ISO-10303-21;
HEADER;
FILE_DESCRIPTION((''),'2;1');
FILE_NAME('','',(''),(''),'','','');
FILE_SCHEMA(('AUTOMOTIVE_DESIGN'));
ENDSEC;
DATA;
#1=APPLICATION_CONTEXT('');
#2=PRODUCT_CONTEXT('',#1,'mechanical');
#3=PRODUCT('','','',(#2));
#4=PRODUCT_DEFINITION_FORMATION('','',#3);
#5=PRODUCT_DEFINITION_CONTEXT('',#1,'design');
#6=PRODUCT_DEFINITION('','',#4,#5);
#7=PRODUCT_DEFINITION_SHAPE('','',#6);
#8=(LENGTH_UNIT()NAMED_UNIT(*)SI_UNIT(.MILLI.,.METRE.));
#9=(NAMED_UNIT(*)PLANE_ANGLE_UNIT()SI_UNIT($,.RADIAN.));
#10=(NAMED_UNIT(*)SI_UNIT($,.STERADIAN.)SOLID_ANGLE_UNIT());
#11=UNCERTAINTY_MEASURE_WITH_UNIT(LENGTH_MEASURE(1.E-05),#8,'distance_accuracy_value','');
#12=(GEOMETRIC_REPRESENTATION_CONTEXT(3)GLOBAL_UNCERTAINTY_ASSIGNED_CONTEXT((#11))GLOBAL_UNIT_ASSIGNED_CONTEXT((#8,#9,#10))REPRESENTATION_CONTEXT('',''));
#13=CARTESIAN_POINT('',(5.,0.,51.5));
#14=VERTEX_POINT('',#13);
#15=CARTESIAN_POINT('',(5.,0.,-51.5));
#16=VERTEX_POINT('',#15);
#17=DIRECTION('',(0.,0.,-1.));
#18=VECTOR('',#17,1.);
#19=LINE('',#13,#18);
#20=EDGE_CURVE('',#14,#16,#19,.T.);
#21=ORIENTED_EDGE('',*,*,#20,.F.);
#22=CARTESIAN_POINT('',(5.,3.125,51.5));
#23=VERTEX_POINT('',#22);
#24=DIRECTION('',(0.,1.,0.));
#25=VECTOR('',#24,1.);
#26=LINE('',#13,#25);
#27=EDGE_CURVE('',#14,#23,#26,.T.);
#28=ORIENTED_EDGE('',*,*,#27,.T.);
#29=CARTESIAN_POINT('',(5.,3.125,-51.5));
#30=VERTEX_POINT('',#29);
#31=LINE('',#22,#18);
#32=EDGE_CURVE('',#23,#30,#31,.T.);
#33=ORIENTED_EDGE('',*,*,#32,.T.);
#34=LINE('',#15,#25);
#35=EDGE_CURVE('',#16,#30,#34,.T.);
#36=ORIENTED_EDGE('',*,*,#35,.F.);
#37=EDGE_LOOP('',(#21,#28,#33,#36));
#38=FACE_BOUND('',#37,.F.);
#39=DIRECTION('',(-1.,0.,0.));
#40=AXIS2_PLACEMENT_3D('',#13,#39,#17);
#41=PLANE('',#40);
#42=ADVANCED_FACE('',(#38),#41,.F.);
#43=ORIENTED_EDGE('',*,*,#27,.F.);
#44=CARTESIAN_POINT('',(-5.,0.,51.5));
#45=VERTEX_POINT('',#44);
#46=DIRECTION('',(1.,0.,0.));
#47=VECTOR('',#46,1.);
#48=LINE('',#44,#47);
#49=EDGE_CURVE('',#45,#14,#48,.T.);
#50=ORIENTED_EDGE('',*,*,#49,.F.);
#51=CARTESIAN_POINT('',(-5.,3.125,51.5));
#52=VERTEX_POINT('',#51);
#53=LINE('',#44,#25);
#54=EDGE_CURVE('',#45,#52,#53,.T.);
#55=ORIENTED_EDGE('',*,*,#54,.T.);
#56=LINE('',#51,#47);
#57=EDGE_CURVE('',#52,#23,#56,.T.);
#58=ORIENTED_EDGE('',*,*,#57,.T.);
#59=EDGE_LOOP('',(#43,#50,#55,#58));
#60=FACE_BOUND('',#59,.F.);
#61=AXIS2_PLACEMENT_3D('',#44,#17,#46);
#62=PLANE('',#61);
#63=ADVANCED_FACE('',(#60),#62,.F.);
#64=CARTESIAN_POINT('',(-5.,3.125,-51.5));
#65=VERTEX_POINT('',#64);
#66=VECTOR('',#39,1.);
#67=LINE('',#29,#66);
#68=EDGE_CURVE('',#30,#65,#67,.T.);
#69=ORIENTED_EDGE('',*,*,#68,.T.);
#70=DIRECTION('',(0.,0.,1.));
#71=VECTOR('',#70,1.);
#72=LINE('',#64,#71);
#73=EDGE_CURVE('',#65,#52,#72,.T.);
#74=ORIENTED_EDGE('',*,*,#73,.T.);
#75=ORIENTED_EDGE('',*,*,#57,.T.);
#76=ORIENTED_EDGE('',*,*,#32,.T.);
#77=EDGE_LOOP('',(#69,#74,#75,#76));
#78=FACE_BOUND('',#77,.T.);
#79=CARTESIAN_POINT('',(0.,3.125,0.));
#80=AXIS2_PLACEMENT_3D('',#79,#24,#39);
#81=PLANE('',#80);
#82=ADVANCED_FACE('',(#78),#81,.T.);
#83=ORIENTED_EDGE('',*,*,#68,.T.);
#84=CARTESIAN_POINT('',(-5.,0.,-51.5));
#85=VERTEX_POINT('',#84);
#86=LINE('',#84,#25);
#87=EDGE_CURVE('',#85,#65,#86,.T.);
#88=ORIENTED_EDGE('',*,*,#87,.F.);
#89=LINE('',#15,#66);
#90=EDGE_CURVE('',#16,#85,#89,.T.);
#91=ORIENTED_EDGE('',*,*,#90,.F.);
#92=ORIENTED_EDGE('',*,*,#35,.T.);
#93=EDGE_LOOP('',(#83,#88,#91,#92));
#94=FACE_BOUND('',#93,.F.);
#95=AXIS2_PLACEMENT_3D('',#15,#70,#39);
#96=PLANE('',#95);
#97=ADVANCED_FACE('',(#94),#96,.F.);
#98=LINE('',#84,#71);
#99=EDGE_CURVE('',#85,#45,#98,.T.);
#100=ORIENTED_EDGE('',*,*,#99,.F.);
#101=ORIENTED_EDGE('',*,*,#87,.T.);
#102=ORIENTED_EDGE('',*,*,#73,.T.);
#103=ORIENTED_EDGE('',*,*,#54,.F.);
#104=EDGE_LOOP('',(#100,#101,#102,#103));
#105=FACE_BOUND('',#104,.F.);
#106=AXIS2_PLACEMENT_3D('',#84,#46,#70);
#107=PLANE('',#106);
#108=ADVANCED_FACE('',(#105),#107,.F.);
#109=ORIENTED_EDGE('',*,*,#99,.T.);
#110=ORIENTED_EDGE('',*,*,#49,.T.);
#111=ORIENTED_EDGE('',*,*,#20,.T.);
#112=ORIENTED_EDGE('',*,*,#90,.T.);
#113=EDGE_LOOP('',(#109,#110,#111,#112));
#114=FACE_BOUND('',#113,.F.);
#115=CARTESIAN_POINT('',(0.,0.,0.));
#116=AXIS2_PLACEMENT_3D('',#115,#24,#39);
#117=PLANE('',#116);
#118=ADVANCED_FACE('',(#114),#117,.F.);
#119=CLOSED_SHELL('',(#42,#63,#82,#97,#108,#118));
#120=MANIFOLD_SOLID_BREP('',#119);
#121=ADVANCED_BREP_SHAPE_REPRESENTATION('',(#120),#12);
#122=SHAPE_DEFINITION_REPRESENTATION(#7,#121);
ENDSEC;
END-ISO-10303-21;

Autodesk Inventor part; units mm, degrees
ref_plane "YZ Plane" through (0, 0, 0) normal (1, 0, 0) x (0, 1, 0)
ref_plane "XZ Plane" through (0, 0, 0) normal (0, 1, 0) x (-1, 0, 0)
ref_plane "XY Plane" through (0, 0, 0) normal (0, 0, 1) x (1, 0, 0)
sketch "Sketch1" plane through (0, 0, 0) normal (0, 1, 0) x (-1, 0, 0)
  line L0 (5, 51.5) -> (-5, 51.5)
  line L1 (-5, 51.5) -> (-5, -51.5)
  line L2 (-5, -51.5) -> (5, -51.5)
  line L3 (5, -51.5) -> (5, 51.5)
  line L4 (5, 51.5) -> (-5, -51.5) construction
  line L5 (-5, 51.5) -> (5, -51.5) construction
  point P0 (0, 0)
  dimension "d0" = 10
  dimension "d1" = 103
extrude "Extrusion1" add sketch "Sketch1" along normal blind 3.125
properties part number "Part7_3DPrint"
